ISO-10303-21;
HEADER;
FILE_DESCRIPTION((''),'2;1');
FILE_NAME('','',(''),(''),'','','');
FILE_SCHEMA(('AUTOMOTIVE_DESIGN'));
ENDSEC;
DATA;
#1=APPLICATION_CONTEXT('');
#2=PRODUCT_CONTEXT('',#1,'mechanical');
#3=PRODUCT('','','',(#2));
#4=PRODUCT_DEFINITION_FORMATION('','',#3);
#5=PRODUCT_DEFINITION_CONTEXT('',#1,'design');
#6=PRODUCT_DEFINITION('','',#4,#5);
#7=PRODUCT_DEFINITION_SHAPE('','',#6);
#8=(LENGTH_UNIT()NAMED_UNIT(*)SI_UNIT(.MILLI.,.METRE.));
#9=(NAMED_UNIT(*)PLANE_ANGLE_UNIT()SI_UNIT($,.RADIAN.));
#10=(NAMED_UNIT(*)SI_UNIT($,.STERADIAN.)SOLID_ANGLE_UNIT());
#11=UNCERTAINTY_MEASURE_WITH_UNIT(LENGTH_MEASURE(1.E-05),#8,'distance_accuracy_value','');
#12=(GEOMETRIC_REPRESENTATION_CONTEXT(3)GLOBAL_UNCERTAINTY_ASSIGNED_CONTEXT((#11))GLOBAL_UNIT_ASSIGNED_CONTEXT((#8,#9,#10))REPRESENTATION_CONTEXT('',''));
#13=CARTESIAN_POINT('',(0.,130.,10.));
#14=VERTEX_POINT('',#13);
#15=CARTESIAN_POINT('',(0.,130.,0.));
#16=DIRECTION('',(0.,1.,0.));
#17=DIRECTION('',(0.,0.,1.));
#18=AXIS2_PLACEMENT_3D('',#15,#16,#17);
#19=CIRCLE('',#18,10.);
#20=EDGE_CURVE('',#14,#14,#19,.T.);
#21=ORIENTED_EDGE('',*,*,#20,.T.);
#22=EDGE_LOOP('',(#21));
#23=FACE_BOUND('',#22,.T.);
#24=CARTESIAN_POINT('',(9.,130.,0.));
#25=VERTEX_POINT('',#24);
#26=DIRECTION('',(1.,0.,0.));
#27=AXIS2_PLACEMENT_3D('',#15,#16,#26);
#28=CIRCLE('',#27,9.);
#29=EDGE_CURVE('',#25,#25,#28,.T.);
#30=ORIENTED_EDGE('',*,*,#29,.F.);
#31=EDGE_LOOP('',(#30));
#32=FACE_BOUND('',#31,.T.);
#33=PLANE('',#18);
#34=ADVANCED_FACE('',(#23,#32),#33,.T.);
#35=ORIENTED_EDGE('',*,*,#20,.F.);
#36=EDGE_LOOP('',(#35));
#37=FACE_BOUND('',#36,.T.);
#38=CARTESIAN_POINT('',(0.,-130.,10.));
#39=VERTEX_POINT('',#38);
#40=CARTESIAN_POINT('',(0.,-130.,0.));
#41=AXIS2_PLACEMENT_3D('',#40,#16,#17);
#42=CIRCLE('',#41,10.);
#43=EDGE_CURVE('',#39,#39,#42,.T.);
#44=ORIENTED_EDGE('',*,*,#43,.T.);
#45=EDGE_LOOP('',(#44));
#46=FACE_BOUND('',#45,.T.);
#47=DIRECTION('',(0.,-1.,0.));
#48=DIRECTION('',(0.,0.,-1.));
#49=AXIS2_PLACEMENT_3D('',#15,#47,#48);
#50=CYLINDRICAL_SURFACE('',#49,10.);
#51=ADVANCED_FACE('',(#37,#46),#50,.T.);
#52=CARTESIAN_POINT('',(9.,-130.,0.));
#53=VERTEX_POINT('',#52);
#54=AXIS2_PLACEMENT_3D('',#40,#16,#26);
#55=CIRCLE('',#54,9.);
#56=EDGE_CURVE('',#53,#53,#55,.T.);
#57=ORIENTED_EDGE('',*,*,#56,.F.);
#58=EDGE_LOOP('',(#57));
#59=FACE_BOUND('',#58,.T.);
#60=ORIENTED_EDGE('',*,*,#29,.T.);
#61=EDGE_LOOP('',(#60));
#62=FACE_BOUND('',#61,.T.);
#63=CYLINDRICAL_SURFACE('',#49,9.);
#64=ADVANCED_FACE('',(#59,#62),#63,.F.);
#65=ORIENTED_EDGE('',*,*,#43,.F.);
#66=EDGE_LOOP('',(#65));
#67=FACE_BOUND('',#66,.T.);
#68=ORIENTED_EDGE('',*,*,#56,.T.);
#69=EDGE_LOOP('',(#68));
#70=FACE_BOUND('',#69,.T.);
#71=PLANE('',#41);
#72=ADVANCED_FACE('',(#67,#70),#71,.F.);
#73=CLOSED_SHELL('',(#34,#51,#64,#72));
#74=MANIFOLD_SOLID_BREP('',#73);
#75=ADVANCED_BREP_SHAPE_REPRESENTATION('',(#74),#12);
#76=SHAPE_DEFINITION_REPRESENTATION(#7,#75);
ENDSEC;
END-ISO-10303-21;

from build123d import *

# Parameters (mm, degrees)
SKETCH_1_R   = 10
SKETCH_1_R_2 = 9
F_1MM_DEPTH  = 130


with BuildPart() as part:
    # 草图1 → 1mm (new, symmetric)
    with BuildSketch(Plane(origin=(0, 0, 0), x_dir=(1, 0, 0), z_dir=(0, 1, 0))):
        Circle(SKETCH_1_R)
        Circle(SKETCH_1_R_2, mode=Mode.SUBTRACT)
    extrude(amount=F_1MM_DEPTH, both=True)


solid = part.part
